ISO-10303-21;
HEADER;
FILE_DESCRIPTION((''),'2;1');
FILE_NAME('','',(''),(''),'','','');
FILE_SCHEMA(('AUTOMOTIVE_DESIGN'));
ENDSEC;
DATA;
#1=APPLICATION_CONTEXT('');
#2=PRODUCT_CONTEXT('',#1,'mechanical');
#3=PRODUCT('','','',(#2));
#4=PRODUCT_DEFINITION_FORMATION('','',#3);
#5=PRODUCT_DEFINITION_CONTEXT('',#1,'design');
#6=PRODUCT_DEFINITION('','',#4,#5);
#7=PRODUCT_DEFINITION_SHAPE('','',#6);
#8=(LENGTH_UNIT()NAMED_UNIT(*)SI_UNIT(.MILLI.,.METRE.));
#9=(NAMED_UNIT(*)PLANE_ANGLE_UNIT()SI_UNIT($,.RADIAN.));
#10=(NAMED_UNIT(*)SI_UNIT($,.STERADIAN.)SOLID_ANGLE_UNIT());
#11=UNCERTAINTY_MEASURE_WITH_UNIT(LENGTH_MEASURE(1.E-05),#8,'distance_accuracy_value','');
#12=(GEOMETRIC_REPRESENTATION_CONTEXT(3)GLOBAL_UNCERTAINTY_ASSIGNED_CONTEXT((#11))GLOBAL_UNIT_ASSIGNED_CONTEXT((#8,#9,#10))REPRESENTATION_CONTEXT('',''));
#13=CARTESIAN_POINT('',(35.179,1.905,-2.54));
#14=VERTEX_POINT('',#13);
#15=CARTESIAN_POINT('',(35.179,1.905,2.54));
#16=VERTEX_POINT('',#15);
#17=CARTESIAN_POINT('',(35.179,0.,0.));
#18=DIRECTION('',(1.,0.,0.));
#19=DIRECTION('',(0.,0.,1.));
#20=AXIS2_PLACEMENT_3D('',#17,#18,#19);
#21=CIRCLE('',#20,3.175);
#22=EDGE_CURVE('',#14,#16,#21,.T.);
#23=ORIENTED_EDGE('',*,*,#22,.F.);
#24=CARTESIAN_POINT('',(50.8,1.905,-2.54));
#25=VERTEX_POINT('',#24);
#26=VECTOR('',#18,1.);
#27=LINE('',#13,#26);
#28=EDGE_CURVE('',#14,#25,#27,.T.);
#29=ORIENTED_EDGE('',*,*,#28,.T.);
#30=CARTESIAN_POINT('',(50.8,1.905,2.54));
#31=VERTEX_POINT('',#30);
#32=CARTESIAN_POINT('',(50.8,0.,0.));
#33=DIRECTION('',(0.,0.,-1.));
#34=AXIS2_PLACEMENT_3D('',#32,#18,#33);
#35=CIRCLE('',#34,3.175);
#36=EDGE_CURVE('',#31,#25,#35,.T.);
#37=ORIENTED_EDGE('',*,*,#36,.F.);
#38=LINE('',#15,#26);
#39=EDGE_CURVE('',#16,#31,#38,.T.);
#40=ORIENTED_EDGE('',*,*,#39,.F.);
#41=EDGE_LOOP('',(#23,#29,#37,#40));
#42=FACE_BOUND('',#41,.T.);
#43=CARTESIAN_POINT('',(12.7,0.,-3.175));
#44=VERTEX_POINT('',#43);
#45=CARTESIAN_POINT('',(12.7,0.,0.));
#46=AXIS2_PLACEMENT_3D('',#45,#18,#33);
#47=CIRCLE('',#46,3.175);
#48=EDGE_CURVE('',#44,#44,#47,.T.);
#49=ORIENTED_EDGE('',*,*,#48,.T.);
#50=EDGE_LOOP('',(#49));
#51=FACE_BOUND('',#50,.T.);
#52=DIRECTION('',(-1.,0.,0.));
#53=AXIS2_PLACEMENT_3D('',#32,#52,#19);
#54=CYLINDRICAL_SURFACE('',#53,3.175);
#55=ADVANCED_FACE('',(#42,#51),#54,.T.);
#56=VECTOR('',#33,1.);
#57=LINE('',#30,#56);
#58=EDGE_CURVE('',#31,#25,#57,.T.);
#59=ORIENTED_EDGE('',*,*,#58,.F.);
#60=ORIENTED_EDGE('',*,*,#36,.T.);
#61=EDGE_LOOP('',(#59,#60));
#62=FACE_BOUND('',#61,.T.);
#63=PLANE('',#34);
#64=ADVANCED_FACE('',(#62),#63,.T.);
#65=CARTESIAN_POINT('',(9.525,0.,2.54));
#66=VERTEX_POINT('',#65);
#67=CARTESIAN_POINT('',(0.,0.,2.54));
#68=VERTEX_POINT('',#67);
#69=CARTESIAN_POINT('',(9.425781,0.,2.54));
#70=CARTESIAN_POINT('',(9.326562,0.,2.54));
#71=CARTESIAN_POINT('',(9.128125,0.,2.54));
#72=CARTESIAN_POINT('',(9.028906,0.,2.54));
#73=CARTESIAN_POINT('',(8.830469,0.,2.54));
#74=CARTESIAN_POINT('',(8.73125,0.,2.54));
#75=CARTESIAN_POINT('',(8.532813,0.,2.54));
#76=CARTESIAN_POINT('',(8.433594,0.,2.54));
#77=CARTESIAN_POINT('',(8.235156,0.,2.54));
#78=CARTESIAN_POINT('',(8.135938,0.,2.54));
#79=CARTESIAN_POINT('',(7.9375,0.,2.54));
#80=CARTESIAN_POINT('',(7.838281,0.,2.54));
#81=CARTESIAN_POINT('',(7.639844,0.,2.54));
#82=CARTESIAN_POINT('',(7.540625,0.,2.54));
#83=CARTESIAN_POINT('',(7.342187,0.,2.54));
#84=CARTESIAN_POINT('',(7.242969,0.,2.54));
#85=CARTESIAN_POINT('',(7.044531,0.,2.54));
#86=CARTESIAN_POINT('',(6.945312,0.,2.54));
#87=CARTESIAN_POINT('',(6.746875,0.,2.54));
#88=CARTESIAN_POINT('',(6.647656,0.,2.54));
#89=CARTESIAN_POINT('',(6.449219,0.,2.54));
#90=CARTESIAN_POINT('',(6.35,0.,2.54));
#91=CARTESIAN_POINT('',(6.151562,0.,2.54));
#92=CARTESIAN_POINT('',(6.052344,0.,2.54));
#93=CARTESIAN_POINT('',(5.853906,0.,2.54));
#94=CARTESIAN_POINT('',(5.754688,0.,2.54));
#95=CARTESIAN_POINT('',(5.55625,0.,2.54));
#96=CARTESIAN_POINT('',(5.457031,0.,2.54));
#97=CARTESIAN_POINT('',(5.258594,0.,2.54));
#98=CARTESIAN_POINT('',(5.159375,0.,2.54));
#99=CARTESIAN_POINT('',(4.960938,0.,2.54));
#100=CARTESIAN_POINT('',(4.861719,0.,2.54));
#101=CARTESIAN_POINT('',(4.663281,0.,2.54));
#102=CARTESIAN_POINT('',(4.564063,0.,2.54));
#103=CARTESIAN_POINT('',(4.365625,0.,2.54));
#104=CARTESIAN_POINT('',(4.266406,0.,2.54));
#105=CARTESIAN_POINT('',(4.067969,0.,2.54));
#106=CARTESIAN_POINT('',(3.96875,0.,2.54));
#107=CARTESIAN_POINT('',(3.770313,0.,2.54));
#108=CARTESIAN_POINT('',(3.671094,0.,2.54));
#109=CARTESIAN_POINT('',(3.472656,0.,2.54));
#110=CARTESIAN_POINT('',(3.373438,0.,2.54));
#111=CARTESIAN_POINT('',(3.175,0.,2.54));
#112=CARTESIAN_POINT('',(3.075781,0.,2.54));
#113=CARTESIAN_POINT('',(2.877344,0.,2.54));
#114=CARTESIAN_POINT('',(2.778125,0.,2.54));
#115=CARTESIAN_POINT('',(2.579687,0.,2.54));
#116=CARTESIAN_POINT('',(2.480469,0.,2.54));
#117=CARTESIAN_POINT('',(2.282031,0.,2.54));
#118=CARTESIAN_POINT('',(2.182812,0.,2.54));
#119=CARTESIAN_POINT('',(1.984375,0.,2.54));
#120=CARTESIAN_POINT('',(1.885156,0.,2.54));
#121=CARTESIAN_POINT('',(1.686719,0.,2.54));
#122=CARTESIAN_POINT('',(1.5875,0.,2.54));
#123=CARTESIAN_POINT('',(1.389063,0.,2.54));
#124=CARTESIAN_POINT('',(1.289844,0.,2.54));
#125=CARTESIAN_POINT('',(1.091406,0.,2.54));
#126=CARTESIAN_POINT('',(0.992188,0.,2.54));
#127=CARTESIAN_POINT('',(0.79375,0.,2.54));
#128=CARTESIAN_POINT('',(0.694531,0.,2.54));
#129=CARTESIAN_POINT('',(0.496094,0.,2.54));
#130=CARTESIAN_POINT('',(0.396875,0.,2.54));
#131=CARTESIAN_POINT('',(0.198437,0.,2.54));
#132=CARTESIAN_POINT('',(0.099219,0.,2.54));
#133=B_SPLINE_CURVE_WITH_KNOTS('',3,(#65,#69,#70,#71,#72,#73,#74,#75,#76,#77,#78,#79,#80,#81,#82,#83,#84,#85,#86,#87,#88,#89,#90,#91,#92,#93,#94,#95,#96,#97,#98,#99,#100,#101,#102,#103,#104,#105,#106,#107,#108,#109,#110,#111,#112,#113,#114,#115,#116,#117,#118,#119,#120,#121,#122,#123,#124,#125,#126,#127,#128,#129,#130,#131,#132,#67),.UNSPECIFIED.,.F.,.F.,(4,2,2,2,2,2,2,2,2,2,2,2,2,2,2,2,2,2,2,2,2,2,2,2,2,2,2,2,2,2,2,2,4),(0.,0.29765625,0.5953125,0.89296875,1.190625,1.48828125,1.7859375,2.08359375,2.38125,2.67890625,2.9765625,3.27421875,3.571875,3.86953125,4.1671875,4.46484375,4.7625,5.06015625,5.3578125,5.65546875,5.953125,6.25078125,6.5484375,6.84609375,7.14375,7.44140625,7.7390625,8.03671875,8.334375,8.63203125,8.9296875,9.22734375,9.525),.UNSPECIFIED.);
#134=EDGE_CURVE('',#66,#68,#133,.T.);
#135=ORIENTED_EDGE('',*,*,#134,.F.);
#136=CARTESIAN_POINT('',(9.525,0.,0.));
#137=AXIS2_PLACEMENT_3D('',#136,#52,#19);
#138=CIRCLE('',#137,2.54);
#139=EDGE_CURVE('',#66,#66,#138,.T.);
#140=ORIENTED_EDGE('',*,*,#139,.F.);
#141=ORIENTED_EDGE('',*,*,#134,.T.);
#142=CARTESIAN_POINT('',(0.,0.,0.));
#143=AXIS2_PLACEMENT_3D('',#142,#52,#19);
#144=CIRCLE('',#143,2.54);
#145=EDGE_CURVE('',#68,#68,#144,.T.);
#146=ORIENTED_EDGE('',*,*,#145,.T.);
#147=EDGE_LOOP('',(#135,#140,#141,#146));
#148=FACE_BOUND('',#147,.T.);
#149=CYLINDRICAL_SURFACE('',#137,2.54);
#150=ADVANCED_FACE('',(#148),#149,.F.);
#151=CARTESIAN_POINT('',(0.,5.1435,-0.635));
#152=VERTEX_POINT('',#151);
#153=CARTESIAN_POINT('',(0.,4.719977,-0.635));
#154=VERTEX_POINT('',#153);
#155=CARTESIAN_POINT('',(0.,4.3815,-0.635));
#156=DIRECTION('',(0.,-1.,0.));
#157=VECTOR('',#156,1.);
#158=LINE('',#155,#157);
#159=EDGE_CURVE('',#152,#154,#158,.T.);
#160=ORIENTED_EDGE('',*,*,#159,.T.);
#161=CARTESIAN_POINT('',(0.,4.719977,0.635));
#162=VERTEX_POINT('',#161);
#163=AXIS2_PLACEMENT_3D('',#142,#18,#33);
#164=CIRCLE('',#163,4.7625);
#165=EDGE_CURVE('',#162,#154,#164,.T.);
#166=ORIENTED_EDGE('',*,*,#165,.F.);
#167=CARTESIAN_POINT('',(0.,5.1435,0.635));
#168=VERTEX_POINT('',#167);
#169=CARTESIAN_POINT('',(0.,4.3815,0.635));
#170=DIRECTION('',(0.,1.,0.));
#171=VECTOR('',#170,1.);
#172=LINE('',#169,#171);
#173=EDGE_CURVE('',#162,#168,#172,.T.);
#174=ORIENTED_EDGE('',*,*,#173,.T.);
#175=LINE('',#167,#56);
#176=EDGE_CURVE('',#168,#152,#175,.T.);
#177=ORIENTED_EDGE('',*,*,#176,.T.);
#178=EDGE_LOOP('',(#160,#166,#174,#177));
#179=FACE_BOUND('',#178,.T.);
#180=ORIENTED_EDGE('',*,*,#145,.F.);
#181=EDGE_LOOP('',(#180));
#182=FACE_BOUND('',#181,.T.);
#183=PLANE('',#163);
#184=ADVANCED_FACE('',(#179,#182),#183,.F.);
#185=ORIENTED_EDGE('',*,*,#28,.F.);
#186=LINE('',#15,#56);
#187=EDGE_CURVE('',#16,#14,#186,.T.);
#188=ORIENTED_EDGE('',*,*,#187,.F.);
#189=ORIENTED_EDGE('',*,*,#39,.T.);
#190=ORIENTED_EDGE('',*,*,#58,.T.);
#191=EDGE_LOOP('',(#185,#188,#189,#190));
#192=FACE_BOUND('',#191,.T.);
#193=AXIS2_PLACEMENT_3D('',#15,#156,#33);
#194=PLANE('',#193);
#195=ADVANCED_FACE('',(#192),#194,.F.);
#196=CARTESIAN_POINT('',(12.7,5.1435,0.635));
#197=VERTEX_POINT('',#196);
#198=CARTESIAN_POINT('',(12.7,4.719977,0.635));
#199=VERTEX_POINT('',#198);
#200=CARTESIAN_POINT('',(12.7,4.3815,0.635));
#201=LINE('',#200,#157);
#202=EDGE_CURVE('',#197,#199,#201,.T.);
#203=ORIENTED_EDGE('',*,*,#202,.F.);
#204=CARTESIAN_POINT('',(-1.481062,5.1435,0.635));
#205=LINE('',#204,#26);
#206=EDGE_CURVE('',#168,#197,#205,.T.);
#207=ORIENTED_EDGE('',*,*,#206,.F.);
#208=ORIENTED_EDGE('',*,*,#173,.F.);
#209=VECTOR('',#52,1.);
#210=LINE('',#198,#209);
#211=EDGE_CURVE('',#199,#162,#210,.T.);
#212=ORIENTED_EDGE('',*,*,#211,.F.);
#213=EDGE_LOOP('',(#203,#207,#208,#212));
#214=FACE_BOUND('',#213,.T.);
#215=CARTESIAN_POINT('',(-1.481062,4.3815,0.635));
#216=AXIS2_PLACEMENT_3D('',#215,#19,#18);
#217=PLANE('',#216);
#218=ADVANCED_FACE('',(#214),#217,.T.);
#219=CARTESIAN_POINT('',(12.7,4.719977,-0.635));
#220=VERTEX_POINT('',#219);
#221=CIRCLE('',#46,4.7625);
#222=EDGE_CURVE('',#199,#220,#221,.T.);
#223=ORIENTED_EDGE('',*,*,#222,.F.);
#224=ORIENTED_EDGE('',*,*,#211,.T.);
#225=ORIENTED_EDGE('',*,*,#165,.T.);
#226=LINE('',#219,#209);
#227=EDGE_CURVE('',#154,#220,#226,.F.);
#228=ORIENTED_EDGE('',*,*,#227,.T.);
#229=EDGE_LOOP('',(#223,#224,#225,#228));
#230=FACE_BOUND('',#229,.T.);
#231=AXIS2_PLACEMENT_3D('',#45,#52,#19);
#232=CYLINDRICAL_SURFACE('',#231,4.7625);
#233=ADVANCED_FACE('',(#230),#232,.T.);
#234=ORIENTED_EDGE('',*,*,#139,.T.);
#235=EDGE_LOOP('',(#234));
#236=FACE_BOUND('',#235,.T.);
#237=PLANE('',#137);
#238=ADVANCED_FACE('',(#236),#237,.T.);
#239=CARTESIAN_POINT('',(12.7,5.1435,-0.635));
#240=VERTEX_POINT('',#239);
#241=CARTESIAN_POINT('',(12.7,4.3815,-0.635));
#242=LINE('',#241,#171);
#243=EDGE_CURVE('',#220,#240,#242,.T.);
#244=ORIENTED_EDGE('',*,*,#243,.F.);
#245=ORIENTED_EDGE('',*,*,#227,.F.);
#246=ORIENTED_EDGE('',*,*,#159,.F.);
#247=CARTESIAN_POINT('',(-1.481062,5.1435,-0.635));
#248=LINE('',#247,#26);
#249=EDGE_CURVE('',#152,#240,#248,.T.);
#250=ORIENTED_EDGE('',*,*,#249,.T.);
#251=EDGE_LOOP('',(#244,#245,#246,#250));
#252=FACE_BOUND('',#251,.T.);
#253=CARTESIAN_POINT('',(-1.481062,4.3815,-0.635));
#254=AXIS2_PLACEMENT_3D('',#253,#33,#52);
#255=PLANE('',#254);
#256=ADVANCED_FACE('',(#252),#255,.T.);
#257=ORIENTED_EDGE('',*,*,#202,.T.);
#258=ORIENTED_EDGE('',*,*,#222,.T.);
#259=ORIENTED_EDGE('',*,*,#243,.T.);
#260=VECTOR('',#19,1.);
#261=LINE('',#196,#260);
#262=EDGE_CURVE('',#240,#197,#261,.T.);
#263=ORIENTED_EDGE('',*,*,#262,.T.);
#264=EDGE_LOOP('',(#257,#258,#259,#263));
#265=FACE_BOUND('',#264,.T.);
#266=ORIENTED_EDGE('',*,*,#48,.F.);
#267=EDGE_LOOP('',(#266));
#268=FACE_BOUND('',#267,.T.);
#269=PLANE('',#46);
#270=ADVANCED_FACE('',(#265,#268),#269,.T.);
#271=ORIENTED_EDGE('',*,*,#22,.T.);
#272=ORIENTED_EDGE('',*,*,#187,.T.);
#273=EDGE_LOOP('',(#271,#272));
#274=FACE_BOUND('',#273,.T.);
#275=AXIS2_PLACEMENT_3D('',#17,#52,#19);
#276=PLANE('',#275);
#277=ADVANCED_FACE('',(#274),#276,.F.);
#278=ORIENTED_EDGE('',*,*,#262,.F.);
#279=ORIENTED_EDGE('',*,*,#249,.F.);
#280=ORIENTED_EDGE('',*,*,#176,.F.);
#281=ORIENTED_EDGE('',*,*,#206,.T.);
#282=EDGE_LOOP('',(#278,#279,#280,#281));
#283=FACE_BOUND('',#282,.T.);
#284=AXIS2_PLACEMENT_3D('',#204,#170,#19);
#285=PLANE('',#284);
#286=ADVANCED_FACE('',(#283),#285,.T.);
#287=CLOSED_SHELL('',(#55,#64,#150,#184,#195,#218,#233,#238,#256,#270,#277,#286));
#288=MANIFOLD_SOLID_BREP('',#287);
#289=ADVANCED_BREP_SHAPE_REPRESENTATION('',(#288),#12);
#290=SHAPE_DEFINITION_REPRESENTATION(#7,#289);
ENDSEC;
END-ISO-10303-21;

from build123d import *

# Parameters (mm, degrees)
SKETCH1_R           = 4.7625
SKETCH1_R_2         = 2.54
SKETCH1_R_3         = 1.5875
BOSS_EXTRUDE1_DEPTH = 12.7
SKETCH2_R           = 2.54
CUT_EXTRUDE1_DEPTH  = 9.525
SKETCH3_R           = 3.175
BOSS_EXTRUDE2_DEPTH = 38.1
SKETCH4_W           = 1.27
SKETCH4_H           = 0.762
BOSS_EXTRUDE3_DEPTH = 12.7
CUT_EXTRUDE2_START  = -15.621
CUT_EXTRUDE2_DEPTH  = 15.621


with BuildPart() as part:
    # Sketch1 → Boss-Extrude1 (new body)
    # profile 1 of 3: a face of its own
    with BuildSketch(Plane(origin=(0, 0, 0), x_dir=(0, 0, -1), z_dir=(1, 0, 0))):
        Circle(SKETCH1_R)
        Circle(SKETCH1_R_2, mode=Mode.SUBTRACT)
    # profile 2 of 3: a face of its own
    with BuildSketch(Plane(origin=(0, 0, 0), x_dir=(0, 0, -1), z_dir=(1, 0, 0))):
        Circle(SKETCH1_R_2)
        Circle(SKETCH1_R_3, mode=Mode.SUBTRACT)
    # profile 3 of 3: a face of its own
    with BuildSketch(Plane(origin=(0, 0, 0), x_dir=(0, 0, -1), z_dir=(1, 0, 0))):
        Circle(SKETCH1_R_3)
    extrude(amount=BOSS_EXTRUDE1_DEPTH)

    # Sketch2 → Cut-Extrude1 (cut)
    with BuildSketch(Plane.ZY):
        Circle(SKETCH2_R)
    extrude(amount=-CUT_EXTRUDE1_DEPTH, mode=Mode.SUBTRACT)

    # Sketch3 → Boss-Extrude2 (add)
    with BuildSketch(Plane(origin=(12.7, 0, 0), x_dir=(0, 0, -1), z_dir=(1, 0, 0))):
        with Locations(Location((0, 0, 0), (0, 0, 180))):
            Circle(SKETCH3_R)
    extrude(amount=BOSS_EXTRUDE2_DEPTH)

    # Sketch4 → Boss-Extrude3 (add)
    with BuildSketch(Plane(origin=(12.7, 0, 0), x_dir=(0, 0, -1), z_dir=(1, 0, 0))):
        with Locations((0, 4.7625)):
            Rectangle(SKETCH4_W, SKETCH4_H)
    extrude(amount=-BOSS_EXTRUDE3_DEPTH)

    # Sketch5 → Cut-Extrude2 (cut)
    with BuildSketch(Plane(origin=(50.8, 0, 0), x_dir=(0, 0, -1), z_dir=(1, 0, 0)).offset(CUT_EXTRUDE2_START)):
        with BuildLine():
            Line((-2.54, 1.905), (2.54, 1.905))
            ThreePointArc((2.54, 1.905), (0, 3.175), (-2.54, 1.905))
        make_face()
    extrude(amount=CUT_EXTRUDE2_DEPTH, mode=Mode.SUBTRACT)


solid = part.part
